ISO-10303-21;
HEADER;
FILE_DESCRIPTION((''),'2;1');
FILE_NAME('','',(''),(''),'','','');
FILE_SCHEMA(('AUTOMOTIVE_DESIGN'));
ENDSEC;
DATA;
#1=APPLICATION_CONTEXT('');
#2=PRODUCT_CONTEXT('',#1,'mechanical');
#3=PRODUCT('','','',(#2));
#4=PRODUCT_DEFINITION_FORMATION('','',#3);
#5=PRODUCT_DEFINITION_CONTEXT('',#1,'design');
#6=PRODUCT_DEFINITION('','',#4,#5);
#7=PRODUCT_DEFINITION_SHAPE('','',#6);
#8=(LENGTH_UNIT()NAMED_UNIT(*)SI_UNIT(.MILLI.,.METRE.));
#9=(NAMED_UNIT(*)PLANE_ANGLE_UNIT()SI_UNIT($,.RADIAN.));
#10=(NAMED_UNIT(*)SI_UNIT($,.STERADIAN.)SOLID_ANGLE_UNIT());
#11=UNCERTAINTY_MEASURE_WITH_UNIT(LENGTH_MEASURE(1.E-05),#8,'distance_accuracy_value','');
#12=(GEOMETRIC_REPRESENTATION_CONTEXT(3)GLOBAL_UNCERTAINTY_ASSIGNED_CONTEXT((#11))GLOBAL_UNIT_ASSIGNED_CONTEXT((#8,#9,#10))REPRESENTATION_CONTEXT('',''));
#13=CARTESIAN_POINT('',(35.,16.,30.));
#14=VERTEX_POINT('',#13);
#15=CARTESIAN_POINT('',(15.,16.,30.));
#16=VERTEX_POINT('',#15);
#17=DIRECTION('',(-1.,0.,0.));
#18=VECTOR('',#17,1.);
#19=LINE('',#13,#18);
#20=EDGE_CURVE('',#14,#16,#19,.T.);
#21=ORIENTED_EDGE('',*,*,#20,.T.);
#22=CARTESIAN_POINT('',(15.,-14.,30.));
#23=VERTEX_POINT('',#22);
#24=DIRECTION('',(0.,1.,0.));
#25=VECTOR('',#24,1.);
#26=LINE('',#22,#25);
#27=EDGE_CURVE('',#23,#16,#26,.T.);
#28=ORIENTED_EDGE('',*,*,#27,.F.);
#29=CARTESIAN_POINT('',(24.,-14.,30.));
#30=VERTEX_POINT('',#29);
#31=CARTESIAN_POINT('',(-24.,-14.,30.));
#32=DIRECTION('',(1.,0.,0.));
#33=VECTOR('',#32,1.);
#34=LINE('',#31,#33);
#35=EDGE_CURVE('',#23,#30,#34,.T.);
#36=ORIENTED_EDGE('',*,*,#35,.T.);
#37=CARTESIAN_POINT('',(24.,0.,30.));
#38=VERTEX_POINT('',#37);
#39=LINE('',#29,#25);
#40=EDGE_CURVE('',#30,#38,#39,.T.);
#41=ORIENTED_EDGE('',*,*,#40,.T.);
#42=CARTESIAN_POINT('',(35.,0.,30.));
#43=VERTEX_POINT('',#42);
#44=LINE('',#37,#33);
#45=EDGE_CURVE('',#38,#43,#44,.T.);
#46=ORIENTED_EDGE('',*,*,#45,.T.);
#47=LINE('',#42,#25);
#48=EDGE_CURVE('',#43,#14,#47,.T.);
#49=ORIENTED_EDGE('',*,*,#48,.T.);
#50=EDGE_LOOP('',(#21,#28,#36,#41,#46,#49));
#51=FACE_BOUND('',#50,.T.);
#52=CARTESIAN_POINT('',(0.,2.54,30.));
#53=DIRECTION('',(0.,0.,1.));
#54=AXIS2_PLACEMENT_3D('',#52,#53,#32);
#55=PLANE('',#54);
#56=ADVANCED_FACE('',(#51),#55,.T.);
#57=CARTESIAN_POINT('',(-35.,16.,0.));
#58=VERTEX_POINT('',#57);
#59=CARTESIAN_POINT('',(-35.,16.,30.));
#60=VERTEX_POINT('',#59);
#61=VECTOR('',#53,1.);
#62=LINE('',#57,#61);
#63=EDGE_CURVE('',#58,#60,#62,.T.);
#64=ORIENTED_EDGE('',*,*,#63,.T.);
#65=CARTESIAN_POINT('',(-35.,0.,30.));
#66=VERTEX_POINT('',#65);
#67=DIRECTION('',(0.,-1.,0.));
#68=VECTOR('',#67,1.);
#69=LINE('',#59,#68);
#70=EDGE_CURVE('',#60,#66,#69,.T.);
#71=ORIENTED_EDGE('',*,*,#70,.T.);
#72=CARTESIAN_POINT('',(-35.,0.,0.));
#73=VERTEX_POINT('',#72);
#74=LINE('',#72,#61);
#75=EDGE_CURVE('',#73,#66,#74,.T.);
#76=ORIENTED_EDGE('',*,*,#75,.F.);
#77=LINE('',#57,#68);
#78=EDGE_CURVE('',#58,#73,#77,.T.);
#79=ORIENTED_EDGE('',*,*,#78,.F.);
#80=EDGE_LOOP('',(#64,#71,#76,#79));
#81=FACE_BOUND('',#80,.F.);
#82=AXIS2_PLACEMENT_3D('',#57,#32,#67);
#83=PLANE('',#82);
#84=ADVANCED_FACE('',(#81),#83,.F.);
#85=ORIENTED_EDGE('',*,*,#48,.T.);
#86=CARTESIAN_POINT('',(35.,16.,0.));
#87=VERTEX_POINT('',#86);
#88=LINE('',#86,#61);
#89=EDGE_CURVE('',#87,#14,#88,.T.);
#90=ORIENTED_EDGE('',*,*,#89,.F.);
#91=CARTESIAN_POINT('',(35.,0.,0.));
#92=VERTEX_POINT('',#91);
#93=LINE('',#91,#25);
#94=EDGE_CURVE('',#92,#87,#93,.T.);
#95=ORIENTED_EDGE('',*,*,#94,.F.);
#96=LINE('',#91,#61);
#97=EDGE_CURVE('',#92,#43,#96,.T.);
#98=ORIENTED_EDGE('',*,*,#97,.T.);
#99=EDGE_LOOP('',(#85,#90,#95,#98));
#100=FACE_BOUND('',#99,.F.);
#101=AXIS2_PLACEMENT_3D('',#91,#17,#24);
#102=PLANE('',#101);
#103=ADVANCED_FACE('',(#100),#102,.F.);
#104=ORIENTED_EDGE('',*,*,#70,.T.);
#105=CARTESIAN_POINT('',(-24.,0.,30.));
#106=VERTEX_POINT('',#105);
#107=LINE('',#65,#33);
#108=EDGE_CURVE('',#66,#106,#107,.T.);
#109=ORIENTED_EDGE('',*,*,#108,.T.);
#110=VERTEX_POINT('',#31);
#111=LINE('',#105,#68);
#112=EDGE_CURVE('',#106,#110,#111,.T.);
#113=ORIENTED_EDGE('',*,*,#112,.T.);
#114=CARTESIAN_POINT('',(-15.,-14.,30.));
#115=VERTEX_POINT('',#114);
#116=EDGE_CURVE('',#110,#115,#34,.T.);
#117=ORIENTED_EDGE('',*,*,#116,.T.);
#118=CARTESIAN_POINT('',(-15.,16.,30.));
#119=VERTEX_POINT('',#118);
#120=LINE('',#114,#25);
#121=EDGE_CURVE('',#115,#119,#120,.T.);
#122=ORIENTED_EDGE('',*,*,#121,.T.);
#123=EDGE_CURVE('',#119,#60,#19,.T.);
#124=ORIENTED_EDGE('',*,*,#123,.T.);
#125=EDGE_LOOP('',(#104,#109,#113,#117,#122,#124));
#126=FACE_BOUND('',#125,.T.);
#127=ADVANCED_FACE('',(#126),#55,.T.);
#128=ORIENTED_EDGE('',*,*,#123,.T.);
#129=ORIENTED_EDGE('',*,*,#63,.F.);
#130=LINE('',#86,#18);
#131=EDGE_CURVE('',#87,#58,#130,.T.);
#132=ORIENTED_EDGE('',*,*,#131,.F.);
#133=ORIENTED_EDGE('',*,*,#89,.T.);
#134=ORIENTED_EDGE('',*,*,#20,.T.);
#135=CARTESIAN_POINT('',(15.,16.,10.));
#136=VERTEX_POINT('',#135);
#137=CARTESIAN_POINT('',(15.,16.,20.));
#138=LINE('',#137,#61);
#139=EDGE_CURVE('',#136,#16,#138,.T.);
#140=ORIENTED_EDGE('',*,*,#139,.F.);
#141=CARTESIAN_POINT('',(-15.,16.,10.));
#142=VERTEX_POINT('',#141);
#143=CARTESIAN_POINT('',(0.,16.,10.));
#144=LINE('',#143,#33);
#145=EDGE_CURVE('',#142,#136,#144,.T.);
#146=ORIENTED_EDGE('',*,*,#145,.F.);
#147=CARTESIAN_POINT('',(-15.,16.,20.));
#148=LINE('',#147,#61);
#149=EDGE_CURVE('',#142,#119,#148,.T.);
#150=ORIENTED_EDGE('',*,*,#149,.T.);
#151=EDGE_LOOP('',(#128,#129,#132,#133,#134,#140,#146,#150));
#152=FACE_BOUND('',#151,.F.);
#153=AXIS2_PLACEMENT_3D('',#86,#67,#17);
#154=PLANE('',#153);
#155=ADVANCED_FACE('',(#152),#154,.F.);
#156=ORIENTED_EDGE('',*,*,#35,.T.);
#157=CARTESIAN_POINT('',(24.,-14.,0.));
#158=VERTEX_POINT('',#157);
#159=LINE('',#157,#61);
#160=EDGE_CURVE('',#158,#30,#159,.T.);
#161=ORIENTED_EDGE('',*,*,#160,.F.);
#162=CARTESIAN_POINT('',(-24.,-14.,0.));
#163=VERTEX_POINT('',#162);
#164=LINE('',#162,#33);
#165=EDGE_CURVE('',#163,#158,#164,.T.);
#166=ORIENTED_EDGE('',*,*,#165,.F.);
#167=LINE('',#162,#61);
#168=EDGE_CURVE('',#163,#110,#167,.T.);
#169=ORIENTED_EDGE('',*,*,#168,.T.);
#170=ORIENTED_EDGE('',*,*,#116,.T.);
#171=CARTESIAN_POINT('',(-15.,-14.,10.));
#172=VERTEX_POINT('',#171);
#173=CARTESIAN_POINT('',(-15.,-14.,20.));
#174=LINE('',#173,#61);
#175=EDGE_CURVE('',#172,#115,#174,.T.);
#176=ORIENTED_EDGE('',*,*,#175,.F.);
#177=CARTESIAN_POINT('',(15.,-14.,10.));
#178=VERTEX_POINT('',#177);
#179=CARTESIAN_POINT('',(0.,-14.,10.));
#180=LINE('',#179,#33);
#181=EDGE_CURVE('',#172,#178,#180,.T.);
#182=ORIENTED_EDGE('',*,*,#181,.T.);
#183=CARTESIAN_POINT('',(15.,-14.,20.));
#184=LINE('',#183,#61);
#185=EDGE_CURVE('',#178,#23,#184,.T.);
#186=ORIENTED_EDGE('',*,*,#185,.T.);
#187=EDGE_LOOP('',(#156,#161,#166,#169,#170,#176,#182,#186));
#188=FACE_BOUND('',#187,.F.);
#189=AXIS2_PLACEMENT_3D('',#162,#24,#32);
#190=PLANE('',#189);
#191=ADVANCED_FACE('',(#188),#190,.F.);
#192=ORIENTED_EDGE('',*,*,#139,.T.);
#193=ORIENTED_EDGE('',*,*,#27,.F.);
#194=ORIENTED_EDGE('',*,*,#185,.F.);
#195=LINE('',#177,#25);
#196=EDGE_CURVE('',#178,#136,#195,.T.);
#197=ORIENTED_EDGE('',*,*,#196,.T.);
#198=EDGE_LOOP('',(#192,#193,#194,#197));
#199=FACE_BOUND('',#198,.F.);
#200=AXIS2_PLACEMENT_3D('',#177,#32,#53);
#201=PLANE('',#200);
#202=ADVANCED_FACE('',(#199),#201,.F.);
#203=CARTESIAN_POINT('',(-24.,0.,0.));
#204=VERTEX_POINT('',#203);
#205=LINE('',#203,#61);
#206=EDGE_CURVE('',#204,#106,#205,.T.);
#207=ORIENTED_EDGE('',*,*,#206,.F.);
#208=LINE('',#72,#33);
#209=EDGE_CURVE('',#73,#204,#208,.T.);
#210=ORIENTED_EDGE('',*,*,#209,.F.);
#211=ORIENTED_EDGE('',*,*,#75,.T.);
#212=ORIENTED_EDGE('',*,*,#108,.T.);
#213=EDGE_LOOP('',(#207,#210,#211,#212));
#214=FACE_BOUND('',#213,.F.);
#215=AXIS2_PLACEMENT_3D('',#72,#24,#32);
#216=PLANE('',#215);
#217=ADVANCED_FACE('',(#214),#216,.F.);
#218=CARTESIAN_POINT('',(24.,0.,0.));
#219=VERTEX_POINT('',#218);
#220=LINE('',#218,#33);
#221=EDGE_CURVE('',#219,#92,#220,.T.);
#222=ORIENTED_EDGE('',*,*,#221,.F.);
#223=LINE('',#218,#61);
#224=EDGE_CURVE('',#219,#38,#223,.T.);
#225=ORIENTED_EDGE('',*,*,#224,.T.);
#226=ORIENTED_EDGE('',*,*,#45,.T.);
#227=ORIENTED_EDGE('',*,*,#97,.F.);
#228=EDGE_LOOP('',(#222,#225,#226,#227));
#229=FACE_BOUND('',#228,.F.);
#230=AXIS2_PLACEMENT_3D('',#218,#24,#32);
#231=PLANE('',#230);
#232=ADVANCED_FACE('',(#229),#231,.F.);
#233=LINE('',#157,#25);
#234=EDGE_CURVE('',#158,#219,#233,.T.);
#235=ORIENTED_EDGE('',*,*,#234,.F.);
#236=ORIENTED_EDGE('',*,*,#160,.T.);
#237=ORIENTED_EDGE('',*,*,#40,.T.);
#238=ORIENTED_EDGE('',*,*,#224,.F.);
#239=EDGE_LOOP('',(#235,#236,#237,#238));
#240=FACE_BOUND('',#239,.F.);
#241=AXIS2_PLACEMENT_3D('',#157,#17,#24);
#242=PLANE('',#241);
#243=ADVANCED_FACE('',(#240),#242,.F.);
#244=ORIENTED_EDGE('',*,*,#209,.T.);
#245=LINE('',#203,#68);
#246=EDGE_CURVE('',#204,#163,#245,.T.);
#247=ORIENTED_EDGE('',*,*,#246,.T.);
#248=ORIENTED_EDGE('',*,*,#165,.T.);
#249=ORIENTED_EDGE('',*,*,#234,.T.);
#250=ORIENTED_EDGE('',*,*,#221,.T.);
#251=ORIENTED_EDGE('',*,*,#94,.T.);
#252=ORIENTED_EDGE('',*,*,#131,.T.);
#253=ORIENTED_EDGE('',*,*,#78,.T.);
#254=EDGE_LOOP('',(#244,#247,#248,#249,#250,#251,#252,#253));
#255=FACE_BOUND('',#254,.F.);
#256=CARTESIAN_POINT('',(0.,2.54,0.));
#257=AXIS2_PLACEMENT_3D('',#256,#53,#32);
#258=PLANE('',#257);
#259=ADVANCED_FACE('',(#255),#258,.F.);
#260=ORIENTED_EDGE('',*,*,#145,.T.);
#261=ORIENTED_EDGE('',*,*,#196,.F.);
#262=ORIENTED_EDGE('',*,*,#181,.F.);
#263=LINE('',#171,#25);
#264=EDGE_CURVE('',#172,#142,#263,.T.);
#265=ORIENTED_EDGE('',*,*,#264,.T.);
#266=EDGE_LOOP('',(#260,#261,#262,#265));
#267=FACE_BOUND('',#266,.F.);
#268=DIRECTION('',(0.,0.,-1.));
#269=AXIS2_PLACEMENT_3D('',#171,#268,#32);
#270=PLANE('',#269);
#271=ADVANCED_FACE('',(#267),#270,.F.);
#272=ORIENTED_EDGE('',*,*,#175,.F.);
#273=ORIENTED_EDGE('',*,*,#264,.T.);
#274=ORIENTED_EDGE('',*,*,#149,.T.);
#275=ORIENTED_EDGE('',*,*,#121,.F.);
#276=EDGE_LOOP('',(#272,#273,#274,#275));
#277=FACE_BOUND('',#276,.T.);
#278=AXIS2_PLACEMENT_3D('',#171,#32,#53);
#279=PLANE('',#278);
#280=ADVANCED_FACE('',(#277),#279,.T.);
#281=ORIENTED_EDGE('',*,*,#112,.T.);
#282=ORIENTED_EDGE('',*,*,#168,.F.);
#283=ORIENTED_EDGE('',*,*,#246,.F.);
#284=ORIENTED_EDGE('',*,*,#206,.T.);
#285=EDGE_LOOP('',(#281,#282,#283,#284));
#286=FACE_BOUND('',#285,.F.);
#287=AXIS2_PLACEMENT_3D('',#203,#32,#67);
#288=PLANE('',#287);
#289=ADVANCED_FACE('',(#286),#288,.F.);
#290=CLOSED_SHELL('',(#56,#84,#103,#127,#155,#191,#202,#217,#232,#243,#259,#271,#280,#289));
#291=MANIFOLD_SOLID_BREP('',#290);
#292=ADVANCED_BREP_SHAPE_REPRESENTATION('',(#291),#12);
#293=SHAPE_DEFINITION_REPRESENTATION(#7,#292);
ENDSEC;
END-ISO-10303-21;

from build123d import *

# Parameters (mm, degrees)
F1_DEPTH = 30
F2_W     = 30
F2_H     = 20
F3_DEPTH = 30


with BuildPart() as f1:
    # F0 (on Top) → F1 (new body)
    with BuildSketch(Plane.XY):
        Polygon((35, 16), (-35, 16), (-35, 0), (-24, 0), (-24, -14), (24, -14), (24, 0), (35, 0), align=None)
    extrude(amount=F1_DEPTH)

    # F2 (on face) → F3 (cut)
    with BuildSketch(Plane.XZ.offset(14)):
        with Locations((0, 20)):
            Rectangle(F2_W, F2_H)
    extrude(amount=-F3_DEPTH, mode=Mode.SUBTRACT)


solid = f1.part
